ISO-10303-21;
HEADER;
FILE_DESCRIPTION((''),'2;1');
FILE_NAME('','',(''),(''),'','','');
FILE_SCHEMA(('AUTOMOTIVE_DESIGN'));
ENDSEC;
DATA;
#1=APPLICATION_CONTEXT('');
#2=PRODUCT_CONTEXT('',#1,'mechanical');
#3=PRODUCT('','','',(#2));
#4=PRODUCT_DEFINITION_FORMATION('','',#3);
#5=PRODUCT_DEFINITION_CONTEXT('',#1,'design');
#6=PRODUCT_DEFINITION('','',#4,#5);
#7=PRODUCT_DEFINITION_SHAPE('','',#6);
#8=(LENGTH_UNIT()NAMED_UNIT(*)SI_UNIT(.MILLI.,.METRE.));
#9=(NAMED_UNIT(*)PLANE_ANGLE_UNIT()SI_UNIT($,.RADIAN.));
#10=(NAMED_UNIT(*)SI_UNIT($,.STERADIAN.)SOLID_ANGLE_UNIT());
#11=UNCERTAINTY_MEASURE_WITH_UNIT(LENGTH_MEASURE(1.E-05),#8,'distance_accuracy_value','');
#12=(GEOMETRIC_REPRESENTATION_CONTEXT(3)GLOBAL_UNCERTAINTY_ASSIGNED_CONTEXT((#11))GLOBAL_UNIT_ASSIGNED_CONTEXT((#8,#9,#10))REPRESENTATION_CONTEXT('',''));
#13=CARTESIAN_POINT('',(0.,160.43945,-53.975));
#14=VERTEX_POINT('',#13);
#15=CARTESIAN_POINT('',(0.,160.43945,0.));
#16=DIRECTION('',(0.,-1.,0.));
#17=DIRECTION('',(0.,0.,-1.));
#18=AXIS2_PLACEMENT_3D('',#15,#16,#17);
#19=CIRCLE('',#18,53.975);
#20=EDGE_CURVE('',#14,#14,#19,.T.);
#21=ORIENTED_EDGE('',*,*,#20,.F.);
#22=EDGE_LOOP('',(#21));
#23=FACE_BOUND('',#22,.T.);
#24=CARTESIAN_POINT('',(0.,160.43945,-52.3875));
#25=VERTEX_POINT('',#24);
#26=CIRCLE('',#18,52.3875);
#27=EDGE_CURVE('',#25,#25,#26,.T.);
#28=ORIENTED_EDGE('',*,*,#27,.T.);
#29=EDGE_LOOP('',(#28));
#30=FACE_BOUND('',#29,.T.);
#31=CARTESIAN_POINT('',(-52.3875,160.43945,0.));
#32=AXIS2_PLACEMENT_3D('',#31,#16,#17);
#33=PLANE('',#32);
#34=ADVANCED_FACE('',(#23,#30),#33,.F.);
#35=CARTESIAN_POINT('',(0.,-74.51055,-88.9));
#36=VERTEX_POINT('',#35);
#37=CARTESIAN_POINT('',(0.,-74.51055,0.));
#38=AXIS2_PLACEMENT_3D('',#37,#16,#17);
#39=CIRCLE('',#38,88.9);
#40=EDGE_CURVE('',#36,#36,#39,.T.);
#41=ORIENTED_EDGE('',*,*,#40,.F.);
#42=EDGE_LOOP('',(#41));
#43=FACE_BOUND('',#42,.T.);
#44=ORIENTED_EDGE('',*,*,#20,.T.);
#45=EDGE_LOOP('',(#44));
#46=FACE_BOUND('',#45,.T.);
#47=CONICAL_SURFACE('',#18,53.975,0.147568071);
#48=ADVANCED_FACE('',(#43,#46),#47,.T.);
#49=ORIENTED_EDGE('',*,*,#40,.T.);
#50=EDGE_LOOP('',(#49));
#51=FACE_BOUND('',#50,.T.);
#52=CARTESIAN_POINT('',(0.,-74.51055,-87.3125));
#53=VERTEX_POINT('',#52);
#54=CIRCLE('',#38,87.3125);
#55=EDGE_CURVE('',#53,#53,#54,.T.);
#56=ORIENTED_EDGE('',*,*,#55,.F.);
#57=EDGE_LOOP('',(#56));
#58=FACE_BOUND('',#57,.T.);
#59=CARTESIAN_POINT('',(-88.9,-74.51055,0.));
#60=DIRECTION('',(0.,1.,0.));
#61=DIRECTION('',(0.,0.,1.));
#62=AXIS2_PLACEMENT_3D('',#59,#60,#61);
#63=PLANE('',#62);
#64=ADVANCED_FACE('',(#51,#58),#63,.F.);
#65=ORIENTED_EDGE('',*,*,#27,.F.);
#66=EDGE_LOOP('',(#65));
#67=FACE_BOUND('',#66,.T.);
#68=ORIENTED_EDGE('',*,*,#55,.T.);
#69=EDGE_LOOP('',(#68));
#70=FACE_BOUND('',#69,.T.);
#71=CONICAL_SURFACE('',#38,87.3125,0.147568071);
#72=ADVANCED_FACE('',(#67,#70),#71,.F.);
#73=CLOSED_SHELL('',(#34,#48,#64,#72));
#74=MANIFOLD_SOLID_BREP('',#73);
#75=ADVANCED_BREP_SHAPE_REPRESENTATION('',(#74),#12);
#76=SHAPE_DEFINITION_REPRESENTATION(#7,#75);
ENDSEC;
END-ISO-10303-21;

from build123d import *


with BuildPart() as part:
    # Sketch1 → Revolve1 (revolve)
    with BuildSketch(Plane.XY, mode=Mode.PRIVATE) as revolve1_sk:
        Polygon((-87.3125, -74.510550459), (-52.3875, 160.439449541), (-53.975, 160.439449541), (-88.9, -74.510550459), align=None)
    revolve(revolve1_sk.sketch.rotate(Axis((0, -74.510550459, 0), (0, 1, 0)), 270), axis=Axis((0, -74.510550459, 0), (0, 1, 0)))


solid = part.part
